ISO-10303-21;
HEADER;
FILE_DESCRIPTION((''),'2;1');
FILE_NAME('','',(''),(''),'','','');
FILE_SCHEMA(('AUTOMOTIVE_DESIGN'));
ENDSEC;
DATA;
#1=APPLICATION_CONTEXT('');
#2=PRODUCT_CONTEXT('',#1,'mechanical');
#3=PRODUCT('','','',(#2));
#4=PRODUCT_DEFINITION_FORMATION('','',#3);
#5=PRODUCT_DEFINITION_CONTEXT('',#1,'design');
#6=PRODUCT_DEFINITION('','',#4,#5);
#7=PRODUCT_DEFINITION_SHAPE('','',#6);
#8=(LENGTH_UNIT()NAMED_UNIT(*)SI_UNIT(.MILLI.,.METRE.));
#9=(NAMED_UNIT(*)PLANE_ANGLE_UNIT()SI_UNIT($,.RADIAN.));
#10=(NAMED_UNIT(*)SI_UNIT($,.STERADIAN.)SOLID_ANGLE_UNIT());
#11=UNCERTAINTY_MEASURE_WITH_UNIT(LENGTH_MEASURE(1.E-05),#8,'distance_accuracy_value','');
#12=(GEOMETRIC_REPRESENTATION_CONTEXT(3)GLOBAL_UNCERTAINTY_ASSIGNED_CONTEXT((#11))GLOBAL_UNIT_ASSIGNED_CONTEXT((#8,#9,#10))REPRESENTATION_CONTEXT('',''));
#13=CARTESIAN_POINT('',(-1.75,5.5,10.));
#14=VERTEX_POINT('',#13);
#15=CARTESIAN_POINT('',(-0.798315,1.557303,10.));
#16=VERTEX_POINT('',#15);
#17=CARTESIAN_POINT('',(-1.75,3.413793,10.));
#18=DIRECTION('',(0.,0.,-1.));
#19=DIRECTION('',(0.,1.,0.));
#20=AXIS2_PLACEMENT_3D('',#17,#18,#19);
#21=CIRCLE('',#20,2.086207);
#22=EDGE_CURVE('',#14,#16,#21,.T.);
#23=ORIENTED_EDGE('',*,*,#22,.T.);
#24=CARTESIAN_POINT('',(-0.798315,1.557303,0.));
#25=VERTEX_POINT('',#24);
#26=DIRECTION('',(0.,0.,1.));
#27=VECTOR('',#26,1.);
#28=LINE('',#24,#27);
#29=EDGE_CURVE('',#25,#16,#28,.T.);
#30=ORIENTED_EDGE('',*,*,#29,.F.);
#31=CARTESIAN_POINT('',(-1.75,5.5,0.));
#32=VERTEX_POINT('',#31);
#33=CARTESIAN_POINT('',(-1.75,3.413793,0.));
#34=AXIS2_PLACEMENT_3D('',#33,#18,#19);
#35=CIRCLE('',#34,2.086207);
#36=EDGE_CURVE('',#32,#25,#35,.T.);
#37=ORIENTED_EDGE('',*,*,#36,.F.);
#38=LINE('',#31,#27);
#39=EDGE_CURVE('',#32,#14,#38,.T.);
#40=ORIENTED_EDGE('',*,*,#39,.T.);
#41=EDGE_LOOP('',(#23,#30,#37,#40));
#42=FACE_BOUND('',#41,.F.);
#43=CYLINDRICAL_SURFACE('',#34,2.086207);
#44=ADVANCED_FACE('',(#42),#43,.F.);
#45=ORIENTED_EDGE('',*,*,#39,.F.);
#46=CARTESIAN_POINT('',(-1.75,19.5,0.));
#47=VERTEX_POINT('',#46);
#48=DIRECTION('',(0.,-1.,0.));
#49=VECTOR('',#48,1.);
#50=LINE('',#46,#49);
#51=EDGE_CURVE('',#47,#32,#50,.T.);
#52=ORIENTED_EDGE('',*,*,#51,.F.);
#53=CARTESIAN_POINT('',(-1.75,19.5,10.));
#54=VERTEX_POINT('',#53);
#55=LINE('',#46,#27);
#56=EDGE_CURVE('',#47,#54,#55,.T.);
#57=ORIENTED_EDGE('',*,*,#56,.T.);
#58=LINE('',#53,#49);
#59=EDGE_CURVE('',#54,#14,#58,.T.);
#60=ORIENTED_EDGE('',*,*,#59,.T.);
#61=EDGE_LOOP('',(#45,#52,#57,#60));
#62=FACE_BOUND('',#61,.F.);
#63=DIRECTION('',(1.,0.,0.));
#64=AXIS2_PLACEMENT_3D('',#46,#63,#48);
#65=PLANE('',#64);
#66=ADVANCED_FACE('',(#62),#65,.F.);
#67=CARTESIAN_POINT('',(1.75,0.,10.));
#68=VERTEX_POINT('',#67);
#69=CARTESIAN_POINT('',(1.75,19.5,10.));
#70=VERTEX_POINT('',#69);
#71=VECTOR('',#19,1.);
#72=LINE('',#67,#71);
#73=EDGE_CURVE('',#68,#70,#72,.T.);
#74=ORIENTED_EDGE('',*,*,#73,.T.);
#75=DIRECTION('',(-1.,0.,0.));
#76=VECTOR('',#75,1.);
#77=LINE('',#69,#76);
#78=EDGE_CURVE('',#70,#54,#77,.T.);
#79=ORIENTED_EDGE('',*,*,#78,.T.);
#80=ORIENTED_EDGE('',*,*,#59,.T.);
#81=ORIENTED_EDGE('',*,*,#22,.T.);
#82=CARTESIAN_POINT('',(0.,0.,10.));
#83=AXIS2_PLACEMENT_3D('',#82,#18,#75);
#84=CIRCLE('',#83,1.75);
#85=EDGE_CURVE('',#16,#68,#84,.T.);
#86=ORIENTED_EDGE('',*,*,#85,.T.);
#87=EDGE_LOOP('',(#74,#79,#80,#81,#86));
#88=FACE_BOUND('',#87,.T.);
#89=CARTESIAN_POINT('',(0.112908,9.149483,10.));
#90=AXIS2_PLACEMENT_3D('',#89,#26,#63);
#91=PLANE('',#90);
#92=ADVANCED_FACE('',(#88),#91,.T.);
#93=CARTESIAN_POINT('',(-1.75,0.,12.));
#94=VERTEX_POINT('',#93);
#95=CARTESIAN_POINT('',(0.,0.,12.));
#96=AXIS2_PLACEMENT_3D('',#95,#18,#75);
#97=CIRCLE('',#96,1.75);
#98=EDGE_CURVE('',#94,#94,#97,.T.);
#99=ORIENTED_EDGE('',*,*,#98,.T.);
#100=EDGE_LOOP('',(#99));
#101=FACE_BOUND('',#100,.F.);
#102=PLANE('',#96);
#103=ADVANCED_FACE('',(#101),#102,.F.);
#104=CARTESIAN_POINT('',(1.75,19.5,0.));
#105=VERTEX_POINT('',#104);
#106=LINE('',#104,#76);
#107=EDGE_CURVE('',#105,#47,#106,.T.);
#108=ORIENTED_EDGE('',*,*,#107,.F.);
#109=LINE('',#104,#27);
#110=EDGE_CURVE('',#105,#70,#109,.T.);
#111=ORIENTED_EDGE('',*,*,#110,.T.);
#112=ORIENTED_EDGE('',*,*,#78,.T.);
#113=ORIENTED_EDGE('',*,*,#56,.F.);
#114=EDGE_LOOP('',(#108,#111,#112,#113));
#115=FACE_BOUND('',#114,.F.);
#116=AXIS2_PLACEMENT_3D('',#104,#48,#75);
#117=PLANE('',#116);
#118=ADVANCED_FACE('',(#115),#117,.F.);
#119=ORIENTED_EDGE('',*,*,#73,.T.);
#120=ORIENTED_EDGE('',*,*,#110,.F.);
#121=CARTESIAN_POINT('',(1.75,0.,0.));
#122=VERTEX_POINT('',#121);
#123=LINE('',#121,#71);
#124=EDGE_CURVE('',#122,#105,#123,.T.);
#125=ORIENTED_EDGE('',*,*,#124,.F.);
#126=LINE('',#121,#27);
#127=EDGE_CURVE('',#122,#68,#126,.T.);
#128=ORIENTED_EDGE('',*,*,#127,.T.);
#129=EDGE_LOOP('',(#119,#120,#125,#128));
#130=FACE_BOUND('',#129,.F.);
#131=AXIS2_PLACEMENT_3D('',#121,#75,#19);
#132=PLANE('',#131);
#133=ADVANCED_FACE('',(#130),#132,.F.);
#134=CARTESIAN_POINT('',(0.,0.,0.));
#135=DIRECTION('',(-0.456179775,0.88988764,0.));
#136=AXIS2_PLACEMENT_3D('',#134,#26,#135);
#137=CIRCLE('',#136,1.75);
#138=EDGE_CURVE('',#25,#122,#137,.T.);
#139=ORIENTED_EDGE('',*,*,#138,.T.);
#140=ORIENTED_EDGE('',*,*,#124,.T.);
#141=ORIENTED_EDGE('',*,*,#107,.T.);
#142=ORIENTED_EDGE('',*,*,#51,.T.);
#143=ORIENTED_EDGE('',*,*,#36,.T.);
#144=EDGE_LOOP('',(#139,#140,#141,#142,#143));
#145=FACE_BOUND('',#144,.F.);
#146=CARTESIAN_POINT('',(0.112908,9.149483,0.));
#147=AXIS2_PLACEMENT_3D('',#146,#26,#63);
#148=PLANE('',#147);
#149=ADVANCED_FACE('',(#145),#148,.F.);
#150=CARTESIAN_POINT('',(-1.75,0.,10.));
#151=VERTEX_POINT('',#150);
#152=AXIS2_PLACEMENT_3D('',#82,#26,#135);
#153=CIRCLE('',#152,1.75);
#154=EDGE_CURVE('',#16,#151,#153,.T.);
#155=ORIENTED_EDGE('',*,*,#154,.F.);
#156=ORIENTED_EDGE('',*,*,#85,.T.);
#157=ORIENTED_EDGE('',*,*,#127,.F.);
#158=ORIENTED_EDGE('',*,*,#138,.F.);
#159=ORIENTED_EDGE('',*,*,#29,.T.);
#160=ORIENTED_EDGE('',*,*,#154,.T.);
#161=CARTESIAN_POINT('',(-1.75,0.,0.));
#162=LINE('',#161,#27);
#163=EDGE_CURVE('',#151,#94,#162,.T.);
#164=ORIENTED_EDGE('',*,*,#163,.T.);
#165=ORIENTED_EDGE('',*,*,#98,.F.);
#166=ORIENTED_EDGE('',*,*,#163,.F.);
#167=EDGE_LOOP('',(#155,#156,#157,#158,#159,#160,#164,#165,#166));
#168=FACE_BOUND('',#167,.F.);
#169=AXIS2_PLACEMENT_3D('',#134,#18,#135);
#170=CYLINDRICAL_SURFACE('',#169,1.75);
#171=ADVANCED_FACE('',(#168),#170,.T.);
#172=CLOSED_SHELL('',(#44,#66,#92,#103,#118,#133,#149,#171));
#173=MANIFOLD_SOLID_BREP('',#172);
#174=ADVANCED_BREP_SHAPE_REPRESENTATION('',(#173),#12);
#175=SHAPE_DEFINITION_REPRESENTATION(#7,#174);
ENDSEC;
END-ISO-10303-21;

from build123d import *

# Parameters (mm, degrees)
DODANIE_WYCI_GNI_CIE1_DEPTH = 10
SZKIC2_R                    = 1.75
DODANIE_WYCI_GNI_CIE2_DEPTH = 12


with BuildPart() as part:
    # Szkic1 → Dodanie-wyciągnięcie1 (new body)
    with BuildSketch(Plane.XY):
        with BuildLine():
            Line((1.75, 0), (1.75, 19.5))
            Line((1.75, 19.5), (-1.75, 19.5))
            Line((-1.75, 19.5), (-1.75, 5.5))
            ThreePointArc((-1.75, 5.5), (0.277964608, 3.903301802), (-0.798314607, 1.557303371))
            ThreePointArc((-0.798314607, 1.557303371), (-0.912537517, -1.493243209), (1.75, 0))
        make_face()
    extrude(amount=DODANIE_WYCI_GNI_CIE1_DEPTH)

    # Szkic2 → Dodanie-wyciągnięcie2 (add)
    with BuildSketch(Plane(origin=(0, 0, 0), x_dir=(-1, 0, 0), z_dir=(0, 0, -1))):
        Circle(SZKIC2_R)
    extrude(amount=-DODANIE_WYCI_GNI_CIE2_DEPTH)


solid = part.part
